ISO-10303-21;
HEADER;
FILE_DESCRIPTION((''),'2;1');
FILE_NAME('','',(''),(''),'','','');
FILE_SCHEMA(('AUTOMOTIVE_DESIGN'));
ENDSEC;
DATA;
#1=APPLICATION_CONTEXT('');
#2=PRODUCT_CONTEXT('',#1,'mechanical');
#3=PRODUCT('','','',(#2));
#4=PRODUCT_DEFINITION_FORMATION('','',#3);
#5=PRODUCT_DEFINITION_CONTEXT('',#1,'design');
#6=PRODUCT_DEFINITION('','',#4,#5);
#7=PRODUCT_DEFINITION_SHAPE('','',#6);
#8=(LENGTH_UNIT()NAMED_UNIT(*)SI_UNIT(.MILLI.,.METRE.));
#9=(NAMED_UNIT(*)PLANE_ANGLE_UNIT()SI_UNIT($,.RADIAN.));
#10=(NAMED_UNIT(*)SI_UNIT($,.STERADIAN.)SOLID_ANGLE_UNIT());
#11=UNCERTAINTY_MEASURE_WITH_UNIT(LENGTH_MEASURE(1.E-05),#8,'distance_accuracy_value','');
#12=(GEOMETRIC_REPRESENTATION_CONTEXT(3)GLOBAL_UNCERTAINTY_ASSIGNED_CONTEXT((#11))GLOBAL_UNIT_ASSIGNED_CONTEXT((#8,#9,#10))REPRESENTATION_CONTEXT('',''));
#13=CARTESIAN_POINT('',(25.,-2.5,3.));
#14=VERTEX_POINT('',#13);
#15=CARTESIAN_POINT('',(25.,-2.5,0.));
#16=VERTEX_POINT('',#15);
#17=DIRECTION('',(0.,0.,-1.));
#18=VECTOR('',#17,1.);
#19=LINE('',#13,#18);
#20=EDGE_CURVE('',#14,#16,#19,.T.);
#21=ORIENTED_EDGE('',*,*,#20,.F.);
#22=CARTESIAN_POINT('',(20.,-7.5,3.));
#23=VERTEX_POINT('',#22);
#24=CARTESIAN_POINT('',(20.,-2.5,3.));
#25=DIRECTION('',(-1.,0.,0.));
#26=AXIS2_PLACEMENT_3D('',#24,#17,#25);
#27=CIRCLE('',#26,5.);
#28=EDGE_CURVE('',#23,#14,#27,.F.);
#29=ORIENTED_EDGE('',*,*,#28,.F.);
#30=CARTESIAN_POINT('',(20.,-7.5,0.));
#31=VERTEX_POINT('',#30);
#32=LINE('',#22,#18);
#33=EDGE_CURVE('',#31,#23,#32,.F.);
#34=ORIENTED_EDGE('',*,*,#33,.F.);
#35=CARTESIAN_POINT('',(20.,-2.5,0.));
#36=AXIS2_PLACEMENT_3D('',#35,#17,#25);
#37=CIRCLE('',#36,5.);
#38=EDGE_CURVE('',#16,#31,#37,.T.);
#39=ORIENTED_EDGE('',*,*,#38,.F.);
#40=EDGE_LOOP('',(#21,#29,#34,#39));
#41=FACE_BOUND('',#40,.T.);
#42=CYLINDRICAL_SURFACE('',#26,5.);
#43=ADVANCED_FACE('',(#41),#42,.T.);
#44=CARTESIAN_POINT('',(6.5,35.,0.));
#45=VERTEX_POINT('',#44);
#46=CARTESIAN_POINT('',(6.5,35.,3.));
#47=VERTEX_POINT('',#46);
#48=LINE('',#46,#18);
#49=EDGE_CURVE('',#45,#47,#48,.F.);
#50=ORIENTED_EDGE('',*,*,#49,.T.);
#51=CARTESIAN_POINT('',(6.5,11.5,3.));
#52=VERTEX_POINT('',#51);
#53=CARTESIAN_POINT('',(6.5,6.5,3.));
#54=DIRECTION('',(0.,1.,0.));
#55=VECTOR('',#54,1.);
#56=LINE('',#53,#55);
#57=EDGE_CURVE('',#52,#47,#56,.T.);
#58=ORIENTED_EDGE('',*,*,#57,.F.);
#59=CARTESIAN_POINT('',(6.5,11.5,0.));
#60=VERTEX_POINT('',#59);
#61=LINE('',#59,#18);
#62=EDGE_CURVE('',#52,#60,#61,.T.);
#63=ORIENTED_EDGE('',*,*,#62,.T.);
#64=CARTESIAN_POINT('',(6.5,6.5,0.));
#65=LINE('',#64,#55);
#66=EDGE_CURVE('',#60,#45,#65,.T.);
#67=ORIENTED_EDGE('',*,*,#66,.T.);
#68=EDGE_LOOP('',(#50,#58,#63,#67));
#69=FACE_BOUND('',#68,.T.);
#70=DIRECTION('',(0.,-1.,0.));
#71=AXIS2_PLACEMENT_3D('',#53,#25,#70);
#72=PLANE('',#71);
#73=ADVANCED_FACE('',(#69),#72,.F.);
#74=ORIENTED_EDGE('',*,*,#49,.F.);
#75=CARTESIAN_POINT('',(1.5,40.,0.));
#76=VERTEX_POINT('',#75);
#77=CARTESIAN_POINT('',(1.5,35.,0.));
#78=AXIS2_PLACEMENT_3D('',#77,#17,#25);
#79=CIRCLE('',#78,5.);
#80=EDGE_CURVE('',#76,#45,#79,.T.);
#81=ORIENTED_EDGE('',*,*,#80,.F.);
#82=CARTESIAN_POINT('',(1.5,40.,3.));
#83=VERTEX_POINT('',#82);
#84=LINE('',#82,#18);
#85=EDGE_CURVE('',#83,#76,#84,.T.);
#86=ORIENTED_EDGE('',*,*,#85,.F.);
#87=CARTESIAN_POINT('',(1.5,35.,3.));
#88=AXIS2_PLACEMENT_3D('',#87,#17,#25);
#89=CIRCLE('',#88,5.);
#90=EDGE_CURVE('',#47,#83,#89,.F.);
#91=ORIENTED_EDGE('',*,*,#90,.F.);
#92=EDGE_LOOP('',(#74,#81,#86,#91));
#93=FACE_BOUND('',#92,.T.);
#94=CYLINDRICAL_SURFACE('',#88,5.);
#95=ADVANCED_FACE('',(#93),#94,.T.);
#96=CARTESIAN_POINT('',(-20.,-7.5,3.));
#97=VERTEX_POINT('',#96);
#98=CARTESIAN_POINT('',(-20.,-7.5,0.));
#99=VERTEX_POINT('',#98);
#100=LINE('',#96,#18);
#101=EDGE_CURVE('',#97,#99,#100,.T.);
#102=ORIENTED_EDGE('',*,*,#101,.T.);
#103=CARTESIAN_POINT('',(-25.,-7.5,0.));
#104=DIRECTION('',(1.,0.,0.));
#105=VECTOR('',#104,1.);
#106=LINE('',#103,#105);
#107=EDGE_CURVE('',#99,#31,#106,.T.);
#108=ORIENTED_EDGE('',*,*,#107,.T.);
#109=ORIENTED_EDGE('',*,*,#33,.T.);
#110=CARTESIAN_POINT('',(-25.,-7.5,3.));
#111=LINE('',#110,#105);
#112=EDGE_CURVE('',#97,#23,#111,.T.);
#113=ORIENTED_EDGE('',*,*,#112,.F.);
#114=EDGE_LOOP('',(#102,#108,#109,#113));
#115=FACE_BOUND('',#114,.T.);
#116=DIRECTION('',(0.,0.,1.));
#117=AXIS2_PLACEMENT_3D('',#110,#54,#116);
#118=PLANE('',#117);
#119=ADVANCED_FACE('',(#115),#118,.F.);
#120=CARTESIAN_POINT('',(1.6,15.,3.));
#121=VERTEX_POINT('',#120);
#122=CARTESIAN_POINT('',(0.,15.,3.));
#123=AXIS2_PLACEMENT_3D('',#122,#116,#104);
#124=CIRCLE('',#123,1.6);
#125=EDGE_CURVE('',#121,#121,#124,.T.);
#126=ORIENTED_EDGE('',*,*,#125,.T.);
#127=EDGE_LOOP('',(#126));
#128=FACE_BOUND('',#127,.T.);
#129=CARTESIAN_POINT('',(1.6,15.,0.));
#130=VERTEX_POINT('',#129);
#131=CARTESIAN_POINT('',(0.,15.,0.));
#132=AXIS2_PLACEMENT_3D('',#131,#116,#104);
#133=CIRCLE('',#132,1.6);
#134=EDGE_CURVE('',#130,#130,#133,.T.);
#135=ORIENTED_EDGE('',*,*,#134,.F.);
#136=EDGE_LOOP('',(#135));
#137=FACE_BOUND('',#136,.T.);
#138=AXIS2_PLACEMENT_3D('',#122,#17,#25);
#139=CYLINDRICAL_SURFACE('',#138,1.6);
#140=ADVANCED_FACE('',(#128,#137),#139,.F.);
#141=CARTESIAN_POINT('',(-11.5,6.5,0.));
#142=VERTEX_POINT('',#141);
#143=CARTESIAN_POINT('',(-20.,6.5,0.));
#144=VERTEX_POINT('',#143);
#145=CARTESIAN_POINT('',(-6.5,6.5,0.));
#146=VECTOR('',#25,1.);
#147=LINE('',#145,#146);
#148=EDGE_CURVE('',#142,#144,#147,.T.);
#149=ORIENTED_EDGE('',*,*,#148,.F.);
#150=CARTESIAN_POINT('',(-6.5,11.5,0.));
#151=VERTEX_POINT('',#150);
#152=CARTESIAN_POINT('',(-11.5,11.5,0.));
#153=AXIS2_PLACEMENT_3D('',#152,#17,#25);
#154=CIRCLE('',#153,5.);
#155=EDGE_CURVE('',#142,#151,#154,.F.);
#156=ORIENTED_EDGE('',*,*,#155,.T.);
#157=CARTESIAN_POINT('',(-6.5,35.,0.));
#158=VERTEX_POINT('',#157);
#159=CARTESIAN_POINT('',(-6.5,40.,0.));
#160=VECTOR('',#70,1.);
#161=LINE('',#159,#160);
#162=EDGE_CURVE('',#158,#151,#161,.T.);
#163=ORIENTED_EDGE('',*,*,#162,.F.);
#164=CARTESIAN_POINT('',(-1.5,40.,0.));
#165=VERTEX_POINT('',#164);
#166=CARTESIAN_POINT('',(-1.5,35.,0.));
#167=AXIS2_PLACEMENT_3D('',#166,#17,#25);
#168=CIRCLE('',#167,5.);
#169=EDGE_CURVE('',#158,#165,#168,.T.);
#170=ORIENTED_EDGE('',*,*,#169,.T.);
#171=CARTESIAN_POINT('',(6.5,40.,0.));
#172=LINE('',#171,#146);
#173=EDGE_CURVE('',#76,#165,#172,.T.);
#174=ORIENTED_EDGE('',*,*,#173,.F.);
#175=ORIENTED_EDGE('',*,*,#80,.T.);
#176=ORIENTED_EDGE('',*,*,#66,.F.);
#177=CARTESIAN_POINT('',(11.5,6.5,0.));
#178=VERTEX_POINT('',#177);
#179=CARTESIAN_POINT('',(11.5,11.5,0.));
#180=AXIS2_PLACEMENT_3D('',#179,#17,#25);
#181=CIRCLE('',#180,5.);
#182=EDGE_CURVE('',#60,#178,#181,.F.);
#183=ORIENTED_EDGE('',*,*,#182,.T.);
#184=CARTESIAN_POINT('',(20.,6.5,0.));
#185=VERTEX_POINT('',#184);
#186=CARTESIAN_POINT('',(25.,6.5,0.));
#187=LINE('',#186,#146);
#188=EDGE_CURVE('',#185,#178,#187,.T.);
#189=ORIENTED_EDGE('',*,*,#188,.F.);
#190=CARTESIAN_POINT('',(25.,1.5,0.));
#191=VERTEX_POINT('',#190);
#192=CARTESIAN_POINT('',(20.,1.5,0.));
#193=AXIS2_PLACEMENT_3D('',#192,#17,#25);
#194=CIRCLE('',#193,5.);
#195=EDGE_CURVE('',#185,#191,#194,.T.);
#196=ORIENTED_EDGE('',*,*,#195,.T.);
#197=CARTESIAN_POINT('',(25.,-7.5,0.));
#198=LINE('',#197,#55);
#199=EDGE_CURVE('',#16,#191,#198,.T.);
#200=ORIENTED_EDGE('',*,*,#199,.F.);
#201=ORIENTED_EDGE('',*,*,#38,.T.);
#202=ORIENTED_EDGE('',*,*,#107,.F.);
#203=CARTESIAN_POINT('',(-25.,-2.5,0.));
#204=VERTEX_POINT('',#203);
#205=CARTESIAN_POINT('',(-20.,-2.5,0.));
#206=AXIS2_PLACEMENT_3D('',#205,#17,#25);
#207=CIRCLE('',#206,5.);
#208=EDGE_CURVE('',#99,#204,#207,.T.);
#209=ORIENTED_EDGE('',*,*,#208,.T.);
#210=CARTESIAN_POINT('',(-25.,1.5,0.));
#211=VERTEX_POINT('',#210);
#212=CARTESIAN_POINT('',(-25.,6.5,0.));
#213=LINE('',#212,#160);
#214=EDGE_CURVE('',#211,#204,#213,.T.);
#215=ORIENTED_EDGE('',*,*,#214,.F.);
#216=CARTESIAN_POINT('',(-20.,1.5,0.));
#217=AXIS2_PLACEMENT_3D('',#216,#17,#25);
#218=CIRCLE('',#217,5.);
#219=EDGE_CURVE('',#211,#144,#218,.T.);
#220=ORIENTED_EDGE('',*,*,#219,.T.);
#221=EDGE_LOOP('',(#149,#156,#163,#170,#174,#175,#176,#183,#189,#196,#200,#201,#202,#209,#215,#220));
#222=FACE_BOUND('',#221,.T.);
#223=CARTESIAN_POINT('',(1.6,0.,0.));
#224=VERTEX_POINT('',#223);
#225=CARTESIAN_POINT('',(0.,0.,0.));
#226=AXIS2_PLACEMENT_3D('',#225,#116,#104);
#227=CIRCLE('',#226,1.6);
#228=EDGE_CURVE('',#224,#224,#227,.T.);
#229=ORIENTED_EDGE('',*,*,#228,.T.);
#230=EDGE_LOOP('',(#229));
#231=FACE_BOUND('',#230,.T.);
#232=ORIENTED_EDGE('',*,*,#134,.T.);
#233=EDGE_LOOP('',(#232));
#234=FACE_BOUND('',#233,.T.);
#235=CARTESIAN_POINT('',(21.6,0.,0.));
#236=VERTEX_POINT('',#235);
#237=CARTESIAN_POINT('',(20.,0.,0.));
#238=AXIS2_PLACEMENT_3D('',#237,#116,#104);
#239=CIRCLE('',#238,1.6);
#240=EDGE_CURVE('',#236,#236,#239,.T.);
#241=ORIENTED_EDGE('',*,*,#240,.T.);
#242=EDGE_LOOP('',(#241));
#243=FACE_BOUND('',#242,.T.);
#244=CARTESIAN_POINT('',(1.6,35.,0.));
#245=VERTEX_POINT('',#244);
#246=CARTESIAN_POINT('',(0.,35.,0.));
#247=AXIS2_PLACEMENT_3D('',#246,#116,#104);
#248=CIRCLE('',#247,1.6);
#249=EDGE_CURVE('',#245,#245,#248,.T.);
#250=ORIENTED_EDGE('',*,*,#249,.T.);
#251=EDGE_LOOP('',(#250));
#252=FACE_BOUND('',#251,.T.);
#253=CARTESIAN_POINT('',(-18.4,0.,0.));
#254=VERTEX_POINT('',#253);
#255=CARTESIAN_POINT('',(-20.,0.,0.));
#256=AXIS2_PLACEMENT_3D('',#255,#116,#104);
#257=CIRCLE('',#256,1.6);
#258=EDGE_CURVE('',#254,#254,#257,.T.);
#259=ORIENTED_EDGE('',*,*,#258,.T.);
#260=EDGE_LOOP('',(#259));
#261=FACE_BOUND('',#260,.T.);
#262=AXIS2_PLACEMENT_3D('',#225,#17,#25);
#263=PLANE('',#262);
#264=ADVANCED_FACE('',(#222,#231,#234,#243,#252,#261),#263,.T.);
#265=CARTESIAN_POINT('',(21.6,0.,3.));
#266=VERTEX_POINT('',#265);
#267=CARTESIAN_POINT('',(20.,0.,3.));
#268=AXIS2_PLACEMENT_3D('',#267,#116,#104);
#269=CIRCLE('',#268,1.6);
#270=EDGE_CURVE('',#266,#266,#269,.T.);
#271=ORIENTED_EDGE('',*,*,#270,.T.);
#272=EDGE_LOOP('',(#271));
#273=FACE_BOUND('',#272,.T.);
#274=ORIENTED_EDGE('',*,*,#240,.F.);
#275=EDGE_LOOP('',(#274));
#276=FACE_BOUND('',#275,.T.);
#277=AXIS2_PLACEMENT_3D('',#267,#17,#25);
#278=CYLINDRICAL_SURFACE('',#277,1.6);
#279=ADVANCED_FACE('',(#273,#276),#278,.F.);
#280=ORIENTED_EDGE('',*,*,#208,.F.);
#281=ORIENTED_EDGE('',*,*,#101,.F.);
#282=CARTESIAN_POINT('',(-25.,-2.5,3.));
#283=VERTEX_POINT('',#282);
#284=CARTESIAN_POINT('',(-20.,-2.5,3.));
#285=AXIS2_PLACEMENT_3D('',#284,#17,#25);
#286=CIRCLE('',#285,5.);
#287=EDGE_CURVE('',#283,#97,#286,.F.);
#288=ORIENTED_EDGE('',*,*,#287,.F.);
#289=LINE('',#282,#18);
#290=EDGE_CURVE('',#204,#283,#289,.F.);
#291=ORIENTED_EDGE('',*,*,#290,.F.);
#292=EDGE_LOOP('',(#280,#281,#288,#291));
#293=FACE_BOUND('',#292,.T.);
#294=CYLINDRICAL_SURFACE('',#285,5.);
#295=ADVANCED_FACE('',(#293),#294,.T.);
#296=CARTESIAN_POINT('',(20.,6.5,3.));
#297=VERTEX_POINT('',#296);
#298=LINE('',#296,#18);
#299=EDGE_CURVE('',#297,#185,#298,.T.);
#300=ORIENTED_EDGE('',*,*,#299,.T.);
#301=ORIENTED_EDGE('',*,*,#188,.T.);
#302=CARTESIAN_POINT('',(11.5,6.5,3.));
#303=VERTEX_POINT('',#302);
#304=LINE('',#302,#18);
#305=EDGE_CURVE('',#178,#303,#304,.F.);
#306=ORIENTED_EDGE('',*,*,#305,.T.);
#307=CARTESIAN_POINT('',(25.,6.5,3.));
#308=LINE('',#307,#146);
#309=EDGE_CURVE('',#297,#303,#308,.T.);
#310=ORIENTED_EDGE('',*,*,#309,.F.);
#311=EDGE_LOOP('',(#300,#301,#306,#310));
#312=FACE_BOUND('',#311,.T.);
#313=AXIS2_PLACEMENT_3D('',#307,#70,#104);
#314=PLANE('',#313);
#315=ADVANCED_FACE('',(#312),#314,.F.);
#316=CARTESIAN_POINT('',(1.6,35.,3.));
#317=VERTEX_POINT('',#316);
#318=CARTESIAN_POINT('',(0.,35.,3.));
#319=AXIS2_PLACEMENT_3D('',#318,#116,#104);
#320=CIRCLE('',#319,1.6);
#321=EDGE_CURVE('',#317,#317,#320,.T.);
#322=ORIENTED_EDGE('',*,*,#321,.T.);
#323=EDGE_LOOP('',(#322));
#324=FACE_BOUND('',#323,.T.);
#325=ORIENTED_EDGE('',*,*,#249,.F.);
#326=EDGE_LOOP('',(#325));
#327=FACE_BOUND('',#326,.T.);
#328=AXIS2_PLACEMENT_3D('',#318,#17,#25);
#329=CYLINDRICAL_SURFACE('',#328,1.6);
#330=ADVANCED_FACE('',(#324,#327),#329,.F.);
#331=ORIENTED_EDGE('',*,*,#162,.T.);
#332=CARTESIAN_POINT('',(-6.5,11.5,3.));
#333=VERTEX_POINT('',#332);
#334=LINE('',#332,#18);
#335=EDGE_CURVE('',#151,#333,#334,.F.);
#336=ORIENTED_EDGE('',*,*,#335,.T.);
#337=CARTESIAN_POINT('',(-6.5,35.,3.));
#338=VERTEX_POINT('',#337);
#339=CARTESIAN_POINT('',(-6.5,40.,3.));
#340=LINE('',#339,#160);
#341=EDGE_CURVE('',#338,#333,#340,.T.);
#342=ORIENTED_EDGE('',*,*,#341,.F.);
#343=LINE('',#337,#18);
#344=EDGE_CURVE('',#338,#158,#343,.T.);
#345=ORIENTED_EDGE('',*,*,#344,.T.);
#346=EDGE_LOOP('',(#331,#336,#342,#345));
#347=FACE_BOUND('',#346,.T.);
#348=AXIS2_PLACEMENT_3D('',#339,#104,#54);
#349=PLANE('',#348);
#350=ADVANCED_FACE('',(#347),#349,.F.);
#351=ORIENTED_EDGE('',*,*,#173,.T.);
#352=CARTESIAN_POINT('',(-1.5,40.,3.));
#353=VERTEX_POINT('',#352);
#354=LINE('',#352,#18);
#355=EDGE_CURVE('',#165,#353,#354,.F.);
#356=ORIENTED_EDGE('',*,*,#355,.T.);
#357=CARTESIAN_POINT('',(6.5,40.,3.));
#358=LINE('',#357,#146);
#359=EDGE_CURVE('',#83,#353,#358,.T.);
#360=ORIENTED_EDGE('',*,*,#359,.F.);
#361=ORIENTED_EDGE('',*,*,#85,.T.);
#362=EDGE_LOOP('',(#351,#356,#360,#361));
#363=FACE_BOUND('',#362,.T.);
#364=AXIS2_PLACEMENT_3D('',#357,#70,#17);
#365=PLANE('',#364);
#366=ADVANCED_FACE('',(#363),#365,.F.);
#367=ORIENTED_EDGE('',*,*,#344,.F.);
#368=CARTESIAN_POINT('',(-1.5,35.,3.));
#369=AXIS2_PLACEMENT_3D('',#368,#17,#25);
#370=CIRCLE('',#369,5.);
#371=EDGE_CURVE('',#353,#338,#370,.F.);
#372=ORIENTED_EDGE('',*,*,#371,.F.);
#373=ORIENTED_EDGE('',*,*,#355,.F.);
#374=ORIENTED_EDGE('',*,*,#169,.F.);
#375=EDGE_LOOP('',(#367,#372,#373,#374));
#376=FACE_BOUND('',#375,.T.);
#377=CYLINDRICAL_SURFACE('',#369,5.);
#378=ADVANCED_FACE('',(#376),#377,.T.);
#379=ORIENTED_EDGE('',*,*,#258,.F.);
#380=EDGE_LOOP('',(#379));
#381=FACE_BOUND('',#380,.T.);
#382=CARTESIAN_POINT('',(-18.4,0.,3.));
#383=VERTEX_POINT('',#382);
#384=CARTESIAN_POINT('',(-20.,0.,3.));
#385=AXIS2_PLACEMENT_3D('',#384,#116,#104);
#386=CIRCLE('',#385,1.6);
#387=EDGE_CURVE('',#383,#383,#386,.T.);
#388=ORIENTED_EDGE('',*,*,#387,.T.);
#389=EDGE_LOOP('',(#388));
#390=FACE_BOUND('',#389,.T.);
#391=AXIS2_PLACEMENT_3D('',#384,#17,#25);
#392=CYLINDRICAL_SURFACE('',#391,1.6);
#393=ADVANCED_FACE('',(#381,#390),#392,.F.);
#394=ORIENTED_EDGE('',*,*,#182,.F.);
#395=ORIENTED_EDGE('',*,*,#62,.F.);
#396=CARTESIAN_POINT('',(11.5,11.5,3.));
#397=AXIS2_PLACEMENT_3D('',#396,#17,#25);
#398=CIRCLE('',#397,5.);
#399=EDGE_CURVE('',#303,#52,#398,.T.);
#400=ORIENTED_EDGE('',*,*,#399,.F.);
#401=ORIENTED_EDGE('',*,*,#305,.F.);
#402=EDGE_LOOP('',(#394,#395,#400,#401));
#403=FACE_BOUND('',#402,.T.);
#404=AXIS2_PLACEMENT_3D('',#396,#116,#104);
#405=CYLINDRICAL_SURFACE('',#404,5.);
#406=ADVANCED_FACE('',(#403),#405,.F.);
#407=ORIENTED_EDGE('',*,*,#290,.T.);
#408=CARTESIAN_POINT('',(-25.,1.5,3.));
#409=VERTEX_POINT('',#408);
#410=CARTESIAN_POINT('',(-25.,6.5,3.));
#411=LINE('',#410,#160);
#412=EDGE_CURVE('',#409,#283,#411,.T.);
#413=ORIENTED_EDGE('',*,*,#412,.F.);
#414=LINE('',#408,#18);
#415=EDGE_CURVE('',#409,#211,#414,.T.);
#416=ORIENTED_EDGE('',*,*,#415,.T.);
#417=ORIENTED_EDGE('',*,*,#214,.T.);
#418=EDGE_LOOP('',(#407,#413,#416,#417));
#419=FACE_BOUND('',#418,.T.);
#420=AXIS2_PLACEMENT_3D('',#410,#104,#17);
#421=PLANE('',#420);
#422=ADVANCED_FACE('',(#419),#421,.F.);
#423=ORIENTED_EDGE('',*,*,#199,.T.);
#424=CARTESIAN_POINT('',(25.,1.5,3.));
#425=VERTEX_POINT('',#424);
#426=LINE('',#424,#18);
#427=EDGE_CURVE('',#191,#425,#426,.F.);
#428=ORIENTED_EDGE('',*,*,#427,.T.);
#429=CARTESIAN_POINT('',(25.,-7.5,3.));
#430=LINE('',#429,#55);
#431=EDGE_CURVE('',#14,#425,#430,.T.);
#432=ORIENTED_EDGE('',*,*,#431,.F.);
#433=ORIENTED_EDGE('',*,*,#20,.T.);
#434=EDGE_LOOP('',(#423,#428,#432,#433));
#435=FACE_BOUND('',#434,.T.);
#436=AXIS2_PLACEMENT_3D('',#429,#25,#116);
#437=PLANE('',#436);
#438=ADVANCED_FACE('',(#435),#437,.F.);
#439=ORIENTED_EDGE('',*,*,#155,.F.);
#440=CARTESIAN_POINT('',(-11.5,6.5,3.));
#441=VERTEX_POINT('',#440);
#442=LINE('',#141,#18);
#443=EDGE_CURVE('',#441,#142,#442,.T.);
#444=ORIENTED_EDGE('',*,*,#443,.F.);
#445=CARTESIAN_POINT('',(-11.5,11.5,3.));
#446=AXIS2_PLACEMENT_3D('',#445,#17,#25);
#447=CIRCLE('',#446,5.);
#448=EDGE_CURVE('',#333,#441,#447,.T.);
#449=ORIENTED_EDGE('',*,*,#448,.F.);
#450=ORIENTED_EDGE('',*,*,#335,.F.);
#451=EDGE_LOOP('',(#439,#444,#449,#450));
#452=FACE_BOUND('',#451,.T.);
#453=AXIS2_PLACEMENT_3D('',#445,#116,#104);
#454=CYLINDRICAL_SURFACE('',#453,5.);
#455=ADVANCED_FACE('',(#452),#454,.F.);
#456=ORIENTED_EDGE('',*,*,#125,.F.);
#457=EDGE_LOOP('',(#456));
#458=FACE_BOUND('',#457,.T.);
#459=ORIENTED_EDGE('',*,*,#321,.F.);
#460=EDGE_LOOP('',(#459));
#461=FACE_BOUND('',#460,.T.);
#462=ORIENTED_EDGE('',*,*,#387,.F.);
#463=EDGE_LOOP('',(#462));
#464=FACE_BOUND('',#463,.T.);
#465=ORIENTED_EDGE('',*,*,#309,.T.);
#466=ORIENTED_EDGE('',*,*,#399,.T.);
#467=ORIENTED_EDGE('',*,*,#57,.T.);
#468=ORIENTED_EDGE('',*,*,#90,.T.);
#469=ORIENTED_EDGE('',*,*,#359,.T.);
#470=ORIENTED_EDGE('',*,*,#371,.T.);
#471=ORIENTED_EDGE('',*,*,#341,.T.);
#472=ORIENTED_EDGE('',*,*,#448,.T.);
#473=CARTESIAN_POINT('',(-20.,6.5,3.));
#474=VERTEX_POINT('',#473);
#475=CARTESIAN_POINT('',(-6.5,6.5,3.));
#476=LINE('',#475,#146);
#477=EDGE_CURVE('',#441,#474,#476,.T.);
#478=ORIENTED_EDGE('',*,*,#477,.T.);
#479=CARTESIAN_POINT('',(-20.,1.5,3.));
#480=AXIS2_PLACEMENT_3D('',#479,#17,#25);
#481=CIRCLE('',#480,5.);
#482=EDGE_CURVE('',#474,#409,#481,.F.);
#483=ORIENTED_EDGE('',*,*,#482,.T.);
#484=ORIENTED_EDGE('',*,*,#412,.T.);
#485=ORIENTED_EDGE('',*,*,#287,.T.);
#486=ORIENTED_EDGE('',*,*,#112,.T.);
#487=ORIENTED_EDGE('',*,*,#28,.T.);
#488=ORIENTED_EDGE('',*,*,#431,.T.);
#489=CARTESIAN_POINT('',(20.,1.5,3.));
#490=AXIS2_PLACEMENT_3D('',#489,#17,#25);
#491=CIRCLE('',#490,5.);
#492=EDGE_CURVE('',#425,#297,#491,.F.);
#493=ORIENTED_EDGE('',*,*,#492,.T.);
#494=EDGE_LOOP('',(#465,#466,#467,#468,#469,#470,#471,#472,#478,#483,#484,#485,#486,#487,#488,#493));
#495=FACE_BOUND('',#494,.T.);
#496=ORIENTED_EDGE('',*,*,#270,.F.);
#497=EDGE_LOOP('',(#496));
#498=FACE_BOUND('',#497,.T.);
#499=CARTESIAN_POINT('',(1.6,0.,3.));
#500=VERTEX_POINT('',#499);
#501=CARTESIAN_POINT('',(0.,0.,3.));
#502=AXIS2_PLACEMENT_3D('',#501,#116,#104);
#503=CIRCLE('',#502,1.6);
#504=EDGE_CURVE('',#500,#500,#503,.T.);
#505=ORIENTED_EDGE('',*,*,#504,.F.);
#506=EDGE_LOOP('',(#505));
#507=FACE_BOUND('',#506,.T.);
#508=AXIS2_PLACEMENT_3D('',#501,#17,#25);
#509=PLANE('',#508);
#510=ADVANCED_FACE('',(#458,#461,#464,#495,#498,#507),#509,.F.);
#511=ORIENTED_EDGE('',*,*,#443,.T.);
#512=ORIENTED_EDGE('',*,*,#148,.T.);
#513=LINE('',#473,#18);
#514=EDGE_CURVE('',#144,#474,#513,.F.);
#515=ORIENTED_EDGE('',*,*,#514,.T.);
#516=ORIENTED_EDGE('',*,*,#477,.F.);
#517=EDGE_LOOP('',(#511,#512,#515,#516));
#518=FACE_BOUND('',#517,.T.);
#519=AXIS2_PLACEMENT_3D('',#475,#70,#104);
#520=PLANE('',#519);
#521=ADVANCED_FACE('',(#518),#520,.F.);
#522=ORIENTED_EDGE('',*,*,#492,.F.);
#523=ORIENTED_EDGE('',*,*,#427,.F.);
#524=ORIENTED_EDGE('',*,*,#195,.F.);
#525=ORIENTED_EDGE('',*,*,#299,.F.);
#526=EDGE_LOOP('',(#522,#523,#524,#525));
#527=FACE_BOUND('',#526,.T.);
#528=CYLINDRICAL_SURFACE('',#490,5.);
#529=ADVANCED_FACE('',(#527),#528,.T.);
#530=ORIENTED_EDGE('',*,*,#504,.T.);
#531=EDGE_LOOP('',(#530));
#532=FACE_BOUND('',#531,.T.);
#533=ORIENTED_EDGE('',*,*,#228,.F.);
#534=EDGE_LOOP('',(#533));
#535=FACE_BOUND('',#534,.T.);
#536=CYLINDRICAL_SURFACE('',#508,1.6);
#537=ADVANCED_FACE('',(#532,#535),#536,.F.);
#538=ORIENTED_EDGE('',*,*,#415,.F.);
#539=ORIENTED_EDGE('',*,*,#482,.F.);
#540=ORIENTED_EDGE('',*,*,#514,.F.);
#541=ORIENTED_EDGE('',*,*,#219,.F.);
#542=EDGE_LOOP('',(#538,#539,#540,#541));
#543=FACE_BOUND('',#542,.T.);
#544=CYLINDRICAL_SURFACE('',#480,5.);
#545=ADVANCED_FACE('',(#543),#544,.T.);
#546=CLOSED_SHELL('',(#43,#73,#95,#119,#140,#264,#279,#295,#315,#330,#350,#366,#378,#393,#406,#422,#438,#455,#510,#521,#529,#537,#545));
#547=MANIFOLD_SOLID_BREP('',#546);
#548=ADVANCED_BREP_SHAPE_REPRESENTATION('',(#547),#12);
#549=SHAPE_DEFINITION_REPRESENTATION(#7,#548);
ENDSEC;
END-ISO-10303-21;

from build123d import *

# Parameters (mm, degrees)
SKETCH_1_R      = 1.6
EXTRUDE_1_DEPTH = 3
FILLET_1_R      = 5


with BuildPart() as part:
    # 草图1 → 凸台-拉伸1 (new body)
    with BuildSketch(Plane.XY):
        Polygon((-6.5, 6.5), (-25, 6.5), (-25, -7.5), (25, -7.5), (25, 6.5), (6.5, 6.5), (6.5, 40), (-6.5, 40), align=None)
        with Locations((0, 35)):
            Circle(SKETCH_1_R, mode=Mode.SUBTRACT)
        with Locations((0, 15)):
            Circle(SKETCH_1_R, mode=Mode.SUBTRACT)
        Circle(SKETCH_1_R, mode=Mode.SUBTRACT)
        with Locations((20, 0)):
            Circle(SKETCH_1_R, mode=Mode.SUBTRACT)
        with Locations((-20, 0)):
            Circle(SKETCH_1_R, mode=Mode.SUBTRACT)
    extrude(amount=EXTRUDE_1_DEPTH)

    # 圆角1
    fillet_1_edges = [part.edges().sort_by_distance(p)[0] for p in [
        (-6.5, 40, 1.5),
        (6.5, 40, 1.5),
        (6.5, 6.5, 1.5),
        (25, 6.5, 1.5),
        (25, -7.5, 1.5),
        (-25, -7.5, 1.5),
        (-25, 6.5, 1.5),
        (-6.5, 6.5, 1.5),
    ]]
    fillet(fillet_1_edges, radius=FILLET_1_R)


solid = part.part
